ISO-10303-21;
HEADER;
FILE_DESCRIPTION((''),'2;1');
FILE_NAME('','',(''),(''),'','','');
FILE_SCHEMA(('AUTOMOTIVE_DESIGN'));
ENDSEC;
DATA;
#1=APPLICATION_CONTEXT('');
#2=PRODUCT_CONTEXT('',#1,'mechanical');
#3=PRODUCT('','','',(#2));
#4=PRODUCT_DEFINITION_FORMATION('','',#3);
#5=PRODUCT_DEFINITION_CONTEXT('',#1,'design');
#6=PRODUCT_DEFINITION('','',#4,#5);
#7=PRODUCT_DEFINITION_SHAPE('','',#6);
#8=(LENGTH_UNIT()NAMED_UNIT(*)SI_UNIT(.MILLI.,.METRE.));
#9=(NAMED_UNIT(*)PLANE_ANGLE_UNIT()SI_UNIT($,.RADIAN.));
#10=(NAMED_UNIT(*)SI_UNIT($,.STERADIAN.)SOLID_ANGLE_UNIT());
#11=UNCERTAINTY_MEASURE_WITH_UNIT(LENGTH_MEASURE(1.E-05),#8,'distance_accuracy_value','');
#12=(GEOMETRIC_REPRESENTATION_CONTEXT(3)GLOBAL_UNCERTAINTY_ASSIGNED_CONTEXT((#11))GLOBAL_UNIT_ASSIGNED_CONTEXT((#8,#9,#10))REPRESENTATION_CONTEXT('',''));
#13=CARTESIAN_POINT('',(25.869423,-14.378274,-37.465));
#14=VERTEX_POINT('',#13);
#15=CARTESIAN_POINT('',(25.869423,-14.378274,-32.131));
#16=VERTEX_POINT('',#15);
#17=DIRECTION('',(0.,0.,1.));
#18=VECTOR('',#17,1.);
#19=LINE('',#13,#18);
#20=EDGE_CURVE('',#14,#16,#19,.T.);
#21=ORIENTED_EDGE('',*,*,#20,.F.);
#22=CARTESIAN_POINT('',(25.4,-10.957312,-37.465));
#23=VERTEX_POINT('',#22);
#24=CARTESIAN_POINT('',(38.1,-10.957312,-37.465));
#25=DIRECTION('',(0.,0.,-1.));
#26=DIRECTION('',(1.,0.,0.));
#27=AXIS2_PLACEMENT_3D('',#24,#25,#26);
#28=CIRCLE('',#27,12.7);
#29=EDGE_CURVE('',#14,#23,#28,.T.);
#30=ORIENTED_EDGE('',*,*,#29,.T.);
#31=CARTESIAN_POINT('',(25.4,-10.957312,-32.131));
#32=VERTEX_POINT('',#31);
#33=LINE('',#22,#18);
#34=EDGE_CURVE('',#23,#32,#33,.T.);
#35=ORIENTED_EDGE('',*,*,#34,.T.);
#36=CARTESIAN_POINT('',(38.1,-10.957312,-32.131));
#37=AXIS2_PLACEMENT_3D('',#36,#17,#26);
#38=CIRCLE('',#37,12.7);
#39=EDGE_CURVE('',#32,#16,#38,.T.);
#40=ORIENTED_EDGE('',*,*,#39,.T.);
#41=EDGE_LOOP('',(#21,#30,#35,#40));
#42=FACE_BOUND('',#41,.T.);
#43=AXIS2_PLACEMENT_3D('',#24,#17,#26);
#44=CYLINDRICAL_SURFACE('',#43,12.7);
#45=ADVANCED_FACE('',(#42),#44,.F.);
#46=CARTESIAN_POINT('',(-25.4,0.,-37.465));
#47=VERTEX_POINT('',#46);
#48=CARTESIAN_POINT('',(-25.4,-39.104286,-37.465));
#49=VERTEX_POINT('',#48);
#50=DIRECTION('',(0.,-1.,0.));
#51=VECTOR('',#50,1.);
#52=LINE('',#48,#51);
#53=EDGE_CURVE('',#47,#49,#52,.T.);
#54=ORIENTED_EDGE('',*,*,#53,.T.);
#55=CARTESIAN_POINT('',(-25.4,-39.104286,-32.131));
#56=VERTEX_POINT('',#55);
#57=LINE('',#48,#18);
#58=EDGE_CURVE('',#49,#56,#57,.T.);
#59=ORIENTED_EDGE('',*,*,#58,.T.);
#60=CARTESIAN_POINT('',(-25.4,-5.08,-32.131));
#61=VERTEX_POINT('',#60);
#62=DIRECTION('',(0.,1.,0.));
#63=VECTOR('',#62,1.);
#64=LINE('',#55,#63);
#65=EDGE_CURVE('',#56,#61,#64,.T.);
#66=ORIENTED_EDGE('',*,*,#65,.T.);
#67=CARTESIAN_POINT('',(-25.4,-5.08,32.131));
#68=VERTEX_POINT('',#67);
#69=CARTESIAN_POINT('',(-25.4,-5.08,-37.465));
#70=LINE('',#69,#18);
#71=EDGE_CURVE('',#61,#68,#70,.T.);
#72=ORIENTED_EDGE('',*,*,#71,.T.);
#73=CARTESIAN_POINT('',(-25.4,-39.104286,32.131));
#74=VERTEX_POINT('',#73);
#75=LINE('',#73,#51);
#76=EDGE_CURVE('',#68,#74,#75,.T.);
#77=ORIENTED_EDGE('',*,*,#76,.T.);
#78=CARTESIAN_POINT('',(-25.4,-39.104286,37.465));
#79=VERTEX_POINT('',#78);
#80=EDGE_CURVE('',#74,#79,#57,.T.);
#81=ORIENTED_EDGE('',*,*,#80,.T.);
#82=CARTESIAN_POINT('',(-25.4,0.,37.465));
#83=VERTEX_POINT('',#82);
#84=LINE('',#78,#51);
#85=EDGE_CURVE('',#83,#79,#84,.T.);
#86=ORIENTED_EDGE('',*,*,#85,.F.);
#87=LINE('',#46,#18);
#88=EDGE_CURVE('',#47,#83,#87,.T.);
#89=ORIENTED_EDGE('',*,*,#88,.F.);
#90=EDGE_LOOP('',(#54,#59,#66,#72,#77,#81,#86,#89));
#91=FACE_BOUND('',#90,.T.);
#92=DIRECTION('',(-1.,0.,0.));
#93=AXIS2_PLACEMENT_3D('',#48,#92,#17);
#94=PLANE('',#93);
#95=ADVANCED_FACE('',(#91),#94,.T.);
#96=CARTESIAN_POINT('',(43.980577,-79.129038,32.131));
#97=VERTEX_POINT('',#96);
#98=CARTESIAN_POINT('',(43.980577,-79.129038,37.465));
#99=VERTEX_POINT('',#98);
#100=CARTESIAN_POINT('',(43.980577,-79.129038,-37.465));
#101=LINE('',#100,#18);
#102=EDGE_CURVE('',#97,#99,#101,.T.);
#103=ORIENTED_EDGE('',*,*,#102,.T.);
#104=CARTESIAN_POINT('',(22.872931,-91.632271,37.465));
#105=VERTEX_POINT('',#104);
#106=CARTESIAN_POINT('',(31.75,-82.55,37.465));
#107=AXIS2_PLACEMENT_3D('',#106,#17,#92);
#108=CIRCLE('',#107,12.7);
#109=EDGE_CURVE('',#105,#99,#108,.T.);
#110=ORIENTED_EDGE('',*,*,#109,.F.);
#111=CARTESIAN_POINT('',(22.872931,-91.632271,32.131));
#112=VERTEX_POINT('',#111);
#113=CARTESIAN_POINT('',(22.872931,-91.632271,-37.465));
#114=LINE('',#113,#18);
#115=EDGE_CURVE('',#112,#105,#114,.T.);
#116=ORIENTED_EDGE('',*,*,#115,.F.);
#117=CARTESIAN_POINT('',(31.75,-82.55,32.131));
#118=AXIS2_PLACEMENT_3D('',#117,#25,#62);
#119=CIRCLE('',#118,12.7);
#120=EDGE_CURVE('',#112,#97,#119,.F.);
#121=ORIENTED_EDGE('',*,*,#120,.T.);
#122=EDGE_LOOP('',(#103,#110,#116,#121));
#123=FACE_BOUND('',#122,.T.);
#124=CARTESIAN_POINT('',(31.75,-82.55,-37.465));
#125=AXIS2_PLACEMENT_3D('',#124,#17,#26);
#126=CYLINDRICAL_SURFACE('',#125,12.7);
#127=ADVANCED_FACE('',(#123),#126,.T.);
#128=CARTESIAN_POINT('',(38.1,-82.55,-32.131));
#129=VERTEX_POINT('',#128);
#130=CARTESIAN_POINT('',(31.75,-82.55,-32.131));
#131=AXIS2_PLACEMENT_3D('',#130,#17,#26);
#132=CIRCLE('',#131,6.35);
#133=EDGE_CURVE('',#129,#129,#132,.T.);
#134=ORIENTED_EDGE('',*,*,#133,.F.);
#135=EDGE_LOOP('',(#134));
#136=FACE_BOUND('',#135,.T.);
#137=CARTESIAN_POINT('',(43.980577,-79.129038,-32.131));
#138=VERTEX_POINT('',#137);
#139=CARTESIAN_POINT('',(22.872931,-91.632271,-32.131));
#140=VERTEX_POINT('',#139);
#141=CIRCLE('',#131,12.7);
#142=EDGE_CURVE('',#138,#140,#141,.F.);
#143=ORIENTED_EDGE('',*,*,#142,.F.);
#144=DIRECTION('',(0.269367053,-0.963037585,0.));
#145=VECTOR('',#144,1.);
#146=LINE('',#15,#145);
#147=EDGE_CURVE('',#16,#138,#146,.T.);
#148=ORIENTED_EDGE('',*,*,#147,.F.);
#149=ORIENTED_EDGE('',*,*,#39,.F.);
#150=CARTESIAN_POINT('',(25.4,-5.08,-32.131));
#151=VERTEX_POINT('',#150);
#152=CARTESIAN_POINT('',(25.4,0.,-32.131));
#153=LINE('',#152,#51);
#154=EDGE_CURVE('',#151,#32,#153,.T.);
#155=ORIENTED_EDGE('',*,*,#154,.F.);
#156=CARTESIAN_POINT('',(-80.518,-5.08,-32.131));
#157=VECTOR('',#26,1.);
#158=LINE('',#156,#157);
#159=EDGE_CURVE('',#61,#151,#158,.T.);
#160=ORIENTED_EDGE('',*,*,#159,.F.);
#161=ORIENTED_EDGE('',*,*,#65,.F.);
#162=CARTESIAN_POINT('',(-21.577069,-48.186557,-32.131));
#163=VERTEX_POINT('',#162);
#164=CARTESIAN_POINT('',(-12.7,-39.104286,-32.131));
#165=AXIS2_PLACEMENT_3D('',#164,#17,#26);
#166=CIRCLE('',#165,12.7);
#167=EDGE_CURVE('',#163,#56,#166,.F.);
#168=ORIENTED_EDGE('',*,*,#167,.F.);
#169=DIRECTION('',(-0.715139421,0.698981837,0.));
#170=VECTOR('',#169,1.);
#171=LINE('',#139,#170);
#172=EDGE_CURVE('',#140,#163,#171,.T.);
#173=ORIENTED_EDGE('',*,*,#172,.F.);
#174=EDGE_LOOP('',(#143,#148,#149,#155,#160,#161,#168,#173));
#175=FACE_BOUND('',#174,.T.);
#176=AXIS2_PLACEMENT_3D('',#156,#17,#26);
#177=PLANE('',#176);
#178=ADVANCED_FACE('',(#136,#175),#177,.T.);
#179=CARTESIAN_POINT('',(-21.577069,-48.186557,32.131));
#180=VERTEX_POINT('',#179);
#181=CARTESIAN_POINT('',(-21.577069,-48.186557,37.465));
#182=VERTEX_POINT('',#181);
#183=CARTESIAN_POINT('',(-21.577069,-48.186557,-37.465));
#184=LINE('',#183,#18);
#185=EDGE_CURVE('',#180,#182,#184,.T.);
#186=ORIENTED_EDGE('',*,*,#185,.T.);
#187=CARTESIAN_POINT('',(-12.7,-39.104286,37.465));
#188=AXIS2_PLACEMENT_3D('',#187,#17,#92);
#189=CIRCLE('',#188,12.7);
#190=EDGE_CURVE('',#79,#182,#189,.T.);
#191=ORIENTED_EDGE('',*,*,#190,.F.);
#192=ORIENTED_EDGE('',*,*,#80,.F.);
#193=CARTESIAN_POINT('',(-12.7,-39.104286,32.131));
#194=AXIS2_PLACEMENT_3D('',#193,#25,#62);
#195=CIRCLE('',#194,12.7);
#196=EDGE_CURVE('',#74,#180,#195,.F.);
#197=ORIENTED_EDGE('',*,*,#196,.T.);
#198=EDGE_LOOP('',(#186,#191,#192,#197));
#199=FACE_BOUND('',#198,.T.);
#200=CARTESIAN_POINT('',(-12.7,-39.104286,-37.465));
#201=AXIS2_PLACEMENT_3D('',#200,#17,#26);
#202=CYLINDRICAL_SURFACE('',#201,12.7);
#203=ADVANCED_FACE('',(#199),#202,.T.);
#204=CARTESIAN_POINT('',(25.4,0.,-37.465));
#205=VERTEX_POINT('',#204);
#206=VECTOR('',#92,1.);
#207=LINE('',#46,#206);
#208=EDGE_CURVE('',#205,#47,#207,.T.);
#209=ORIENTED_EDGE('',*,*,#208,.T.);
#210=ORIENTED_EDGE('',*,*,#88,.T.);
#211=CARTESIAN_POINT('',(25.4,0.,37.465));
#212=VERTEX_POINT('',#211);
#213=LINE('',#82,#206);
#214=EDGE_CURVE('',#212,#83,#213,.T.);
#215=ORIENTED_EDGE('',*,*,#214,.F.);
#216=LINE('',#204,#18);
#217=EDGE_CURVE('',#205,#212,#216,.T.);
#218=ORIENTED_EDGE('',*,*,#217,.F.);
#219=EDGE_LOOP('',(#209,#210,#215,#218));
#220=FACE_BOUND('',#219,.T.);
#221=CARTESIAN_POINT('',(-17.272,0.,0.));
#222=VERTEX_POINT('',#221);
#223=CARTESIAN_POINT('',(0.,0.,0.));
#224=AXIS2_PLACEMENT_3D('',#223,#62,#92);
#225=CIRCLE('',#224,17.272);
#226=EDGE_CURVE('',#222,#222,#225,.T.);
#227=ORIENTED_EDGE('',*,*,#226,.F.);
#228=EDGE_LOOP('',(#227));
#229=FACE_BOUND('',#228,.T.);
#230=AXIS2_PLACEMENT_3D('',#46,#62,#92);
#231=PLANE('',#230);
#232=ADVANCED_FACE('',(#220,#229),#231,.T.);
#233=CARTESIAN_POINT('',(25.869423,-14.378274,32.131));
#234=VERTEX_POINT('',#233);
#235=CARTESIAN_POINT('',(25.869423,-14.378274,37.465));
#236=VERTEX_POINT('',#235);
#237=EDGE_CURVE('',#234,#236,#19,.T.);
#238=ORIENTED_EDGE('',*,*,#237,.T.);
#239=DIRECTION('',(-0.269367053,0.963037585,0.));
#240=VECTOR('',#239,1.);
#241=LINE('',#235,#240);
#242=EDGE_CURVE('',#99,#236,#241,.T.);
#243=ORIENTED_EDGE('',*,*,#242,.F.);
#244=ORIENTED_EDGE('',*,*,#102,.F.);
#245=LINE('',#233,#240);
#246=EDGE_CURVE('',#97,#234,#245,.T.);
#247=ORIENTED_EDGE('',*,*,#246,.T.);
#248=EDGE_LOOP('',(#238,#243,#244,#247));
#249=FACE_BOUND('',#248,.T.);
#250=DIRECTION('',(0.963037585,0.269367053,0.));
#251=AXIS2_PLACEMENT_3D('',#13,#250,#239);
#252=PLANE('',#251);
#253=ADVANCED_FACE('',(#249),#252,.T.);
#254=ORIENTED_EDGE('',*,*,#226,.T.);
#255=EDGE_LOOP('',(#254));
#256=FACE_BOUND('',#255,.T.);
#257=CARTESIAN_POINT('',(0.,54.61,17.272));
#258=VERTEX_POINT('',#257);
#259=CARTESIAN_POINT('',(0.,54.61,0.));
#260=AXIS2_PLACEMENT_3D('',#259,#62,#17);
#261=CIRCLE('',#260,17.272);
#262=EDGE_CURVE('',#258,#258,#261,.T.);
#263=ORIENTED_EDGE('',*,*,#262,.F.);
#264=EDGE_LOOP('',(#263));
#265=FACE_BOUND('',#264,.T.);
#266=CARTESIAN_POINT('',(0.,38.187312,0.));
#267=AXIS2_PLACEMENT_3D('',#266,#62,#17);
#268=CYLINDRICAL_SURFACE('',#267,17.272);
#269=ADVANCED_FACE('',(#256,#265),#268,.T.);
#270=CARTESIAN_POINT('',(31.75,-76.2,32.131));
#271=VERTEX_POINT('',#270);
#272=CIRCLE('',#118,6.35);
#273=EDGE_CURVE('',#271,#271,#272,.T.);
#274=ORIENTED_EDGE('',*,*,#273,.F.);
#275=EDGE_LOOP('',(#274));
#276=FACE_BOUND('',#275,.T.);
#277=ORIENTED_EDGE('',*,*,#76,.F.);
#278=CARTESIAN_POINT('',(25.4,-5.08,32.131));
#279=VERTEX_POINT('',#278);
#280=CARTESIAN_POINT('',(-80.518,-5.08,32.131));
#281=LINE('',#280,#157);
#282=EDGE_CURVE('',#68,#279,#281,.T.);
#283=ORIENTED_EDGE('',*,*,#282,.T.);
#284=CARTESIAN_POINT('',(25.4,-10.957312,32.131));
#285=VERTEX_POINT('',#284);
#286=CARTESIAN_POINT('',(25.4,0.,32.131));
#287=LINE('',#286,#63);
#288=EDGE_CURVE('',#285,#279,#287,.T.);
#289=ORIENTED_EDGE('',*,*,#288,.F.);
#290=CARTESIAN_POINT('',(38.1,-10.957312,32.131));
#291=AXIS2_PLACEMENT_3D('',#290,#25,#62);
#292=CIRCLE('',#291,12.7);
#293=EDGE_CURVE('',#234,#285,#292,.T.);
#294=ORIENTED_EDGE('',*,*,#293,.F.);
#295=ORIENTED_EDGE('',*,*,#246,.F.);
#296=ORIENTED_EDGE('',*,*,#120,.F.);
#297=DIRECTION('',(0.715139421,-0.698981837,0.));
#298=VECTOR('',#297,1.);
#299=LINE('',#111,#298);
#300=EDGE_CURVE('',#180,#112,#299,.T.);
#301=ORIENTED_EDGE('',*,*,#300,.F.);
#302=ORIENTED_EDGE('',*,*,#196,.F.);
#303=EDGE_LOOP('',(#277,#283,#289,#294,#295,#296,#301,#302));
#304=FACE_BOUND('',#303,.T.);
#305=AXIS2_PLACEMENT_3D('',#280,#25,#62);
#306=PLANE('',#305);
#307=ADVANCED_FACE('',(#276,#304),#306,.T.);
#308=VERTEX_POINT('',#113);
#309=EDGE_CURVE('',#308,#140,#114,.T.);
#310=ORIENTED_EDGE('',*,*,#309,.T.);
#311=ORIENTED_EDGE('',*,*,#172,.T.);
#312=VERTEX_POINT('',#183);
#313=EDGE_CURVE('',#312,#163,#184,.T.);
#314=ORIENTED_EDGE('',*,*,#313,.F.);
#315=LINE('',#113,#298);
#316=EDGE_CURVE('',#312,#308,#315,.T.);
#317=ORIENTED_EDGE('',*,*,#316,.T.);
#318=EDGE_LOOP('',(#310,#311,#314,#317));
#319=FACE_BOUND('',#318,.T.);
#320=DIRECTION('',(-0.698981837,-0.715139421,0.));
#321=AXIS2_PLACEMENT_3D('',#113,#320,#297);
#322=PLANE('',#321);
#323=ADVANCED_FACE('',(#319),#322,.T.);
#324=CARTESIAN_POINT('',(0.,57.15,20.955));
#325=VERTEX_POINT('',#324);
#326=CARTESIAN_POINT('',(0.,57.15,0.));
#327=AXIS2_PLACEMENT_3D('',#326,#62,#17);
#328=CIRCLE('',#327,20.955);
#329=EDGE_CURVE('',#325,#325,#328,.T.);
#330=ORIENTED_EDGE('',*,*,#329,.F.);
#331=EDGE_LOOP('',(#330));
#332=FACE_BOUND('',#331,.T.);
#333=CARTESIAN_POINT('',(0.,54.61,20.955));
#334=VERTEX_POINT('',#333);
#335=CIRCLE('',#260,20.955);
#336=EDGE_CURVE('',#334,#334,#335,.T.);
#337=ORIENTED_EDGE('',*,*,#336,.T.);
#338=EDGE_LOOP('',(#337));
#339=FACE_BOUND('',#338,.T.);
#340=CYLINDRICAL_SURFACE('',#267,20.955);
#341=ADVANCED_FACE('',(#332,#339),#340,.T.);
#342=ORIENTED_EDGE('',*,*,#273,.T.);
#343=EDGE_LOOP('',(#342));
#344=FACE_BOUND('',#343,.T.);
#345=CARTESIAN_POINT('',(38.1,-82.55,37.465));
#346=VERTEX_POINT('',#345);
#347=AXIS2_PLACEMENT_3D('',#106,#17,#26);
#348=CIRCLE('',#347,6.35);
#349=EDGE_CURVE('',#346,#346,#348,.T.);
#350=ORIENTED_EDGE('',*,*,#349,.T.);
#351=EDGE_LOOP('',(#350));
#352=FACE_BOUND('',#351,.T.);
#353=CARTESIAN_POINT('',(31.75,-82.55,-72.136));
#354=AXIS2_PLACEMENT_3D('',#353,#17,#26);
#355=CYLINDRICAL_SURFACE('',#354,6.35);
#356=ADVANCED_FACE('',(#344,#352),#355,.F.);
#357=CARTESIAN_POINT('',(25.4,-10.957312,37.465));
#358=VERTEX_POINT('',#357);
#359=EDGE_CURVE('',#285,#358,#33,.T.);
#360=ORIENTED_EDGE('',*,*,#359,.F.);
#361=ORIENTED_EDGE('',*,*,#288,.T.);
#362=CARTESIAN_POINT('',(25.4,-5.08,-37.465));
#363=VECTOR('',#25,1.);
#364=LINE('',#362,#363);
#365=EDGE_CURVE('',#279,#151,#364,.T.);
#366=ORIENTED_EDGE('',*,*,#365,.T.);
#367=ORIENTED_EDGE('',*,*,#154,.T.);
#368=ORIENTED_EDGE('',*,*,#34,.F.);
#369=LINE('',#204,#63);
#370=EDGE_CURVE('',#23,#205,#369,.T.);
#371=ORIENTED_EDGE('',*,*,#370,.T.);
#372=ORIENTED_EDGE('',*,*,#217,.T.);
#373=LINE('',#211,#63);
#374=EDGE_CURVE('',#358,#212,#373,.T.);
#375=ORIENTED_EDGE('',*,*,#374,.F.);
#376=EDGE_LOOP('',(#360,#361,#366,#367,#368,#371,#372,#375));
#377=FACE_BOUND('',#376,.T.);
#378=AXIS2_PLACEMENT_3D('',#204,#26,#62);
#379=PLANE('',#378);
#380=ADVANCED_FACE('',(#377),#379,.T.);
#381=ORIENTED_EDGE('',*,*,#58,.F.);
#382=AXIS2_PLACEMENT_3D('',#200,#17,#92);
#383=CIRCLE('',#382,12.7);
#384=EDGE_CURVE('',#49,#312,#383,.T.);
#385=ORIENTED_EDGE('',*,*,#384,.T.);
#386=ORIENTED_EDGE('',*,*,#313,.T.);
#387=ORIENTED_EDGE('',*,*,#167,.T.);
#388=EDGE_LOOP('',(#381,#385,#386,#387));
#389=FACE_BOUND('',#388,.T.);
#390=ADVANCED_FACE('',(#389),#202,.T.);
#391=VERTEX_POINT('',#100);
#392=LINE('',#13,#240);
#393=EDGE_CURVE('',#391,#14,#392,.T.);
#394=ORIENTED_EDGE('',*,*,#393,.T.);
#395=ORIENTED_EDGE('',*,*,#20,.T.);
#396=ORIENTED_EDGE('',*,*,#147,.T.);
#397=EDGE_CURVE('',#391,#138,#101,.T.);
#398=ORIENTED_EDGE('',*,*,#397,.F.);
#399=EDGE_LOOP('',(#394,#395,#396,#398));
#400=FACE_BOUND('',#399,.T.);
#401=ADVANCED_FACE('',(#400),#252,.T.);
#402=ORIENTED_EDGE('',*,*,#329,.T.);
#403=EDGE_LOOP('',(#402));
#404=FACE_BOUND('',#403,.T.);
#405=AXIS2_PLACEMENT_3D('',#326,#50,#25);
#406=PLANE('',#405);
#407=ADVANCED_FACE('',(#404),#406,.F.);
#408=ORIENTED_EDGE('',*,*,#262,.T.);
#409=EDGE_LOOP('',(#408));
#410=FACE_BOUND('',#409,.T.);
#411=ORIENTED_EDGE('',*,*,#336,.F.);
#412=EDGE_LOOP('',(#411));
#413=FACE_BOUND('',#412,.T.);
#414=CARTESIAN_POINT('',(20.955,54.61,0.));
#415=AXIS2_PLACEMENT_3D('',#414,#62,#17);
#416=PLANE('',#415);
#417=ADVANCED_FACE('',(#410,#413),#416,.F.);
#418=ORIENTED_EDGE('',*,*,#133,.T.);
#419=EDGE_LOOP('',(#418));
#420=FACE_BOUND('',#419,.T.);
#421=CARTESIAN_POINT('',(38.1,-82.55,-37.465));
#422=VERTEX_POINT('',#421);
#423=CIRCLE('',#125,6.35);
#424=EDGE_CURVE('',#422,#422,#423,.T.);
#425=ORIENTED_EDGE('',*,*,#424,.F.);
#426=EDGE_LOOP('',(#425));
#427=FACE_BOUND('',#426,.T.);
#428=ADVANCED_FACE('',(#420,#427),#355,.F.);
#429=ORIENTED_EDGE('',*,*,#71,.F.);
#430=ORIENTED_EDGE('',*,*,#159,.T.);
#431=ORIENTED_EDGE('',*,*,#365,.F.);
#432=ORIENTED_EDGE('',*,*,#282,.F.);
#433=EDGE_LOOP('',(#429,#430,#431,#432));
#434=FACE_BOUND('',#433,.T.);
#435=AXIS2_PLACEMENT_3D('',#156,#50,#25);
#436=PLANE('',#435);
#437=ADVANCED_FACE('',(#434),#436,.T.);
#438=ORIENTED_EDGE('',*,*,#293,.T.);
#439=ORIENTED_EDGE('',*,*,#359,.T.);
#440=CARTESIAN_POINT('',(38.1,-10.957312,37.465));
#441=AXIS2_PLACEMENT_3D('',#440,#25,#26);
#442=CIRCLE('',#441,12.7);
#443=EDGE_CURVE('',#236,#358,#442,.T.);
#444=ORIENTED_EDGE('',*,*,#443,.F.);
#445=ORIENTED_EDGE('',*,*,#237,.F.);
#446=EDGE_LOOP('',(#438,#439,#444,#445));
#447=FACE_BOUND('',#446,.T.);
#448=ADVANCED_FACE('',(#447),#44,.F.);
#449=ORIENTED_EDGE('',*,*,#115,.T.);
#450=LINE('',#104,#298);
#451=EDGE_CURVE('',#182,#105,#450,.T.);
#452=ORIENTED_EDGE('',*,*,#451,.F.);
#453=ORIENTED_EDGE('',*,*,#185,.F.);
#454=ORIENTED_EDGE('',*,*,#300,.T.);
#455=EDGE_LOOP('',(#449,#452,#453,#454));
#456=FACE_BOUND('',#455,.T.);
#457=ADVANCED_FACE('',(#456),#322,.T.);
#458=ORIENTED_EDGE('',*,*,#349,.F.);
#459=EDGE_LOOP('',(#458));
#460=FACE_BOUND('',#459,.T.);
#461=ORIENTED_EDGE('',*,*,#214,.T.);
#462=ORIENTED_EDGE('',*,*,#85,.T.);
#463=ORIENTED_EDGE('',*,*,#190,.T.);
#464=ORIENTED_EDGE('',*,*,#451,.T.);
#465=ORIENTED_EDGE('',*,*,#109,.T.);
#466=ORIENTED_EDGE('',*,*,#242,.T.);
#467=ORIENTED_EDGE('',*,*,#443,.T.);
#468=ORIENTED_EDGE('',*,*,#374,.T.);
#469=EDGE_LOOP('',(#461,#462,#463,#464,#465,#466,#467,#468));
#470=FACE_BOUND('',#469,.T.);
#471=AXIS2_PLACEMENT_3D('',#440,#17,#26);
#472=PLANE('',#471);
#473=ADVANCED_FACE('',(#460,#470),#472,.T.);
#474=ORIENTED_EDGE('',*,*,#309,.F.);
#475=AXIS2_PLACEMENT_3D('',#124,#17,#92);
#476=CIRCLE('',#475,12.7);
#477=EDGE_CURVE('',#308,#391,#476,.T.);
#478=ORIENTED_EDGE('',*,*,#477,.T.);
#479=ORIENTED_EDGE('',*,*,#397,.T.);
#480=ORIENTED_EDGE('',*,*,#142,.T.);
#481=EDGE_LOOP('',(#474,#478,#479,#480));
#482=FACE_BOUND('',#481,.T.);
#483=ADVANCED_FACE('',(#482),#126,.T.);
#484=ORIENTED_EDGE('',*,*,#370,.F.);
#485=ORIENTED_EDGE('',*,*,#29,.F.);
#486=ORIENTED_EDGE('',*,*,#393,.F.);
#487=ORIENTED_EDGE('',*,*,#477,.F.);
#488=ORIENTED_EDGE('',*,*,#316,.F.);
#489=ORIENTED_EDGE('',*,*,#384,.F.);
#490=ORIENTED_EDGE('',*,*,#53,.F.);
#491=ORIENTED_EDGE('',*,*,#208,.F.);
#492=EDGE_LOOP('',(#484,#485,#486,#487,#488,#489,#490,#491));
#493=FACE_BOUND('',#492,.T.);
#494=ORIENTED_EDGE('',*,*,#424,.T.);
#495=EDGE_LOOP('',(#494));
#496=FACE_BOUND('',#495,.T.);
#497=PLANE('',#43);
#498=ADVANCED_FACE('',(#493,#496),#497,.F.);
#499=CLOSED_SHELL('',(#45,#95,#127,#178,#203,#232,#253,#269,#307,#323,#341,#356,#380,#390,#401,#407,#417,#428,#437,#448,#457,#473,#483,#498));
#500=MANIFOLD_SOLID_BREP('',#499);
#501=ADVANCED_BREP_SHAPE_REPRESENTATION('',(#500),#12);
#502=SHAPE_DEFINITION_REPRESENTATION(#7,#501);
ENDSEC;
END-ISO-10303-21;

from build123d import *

# Parameters (mm, degrees)
BOSS_EXTRUDE1_DEPTH      = 37.465
BOSS_EXTRUDE1_DEPTH_BACK = 37.465
SKETCH3_W                = 64.262
SKETCH3_H                = 110.648250087
CUT_EXTRUDE1_DEPTH       = 55.118
CUT_EXTRUDE1_DEPTH_BACK  = 109.601
SKETCH4_R                = 6.35
CUT_EXTRUDE2_DEPTH       = 109.601


with BuildPart() as part:
    # Sketch1 → Revolve1 (revolve)
    with BuildSketch(Plane.XY):
        Polygon((0, 57.15), (20.955, 57.15), (20.955, 54.61), (17.272, 54.61), (17.272, 0), (0, 0), align=None)
    revolve(axis=Axis((0, 38.1873125, 0), (0, -1, 0)))

    # Sketch2 → Boss-Extrude1 (add, two sides)
    with BuildSketch(Plane.XY) as boss_extrude1_sk:
        with BuildLine():
            Line((-25.4, 0), (25.4, 0))
            Line((25.4, 0), (25.4, -10.957312238))
            ThreePointArc((25.4, -10.957312238), (25.517902954, -12.683821415), (25.869422667, -14.378273814))
            Line((25.869422667, -14.378273814), (43.980577333, -79.129038424))
            ThreePointArc((43.980577333, -79.129038424), (38.222573525, -93.476838151), (22.872930676, -91.632270653))
            Line((22.872930676, -91.632270653), (-21.577069324, -48.186556851))
            ThreePointArc((-21.577069324, -48.186556851), (-24.405314614, -44.031314693), (-25.4, -39.104286198))
            Line((-25.4, -39.104286198), (-25.4, 0))
        make_face()
    extrude(amount=BOSS_EXTRUDE1_DEPTH)
    extrude(boss_extrude1_sk.sketch, amount=-BOSS_EXTRUDE1_DEPTH_BACK)

    # Sketch3 → Cut-Extrude1 (cut, two sides)
    with BuildSketch(Plane.ZY.offset(25.4)) as cut_extrude1_sk:
        with Locations((0, -60.404125044)):
            Rectangle(SKETCH3_W, SKETCH3_H)
    extrude(amount=CUT_EXTRUDE1_DEPTH, mode=Mode.SUBTRACT)
    extrude(cut_extrude1_sk.sketch, amount=-CUT_EXTRUDE1_DEPTH_BACK, mode=Mode.SUBTRACT)

    # Sketch4 → Cut-Extrude2 (cut)
    with BuildSketch(Plane.XY.offset(37.465)):
        with Locations((31.75, -82.55)):
            Circle(SKETCH4_R)
    extrude(amount=-CUT_EXTRUDE2_DEPTH, mode=Mode.SUBTRACT)


solid = part.part
